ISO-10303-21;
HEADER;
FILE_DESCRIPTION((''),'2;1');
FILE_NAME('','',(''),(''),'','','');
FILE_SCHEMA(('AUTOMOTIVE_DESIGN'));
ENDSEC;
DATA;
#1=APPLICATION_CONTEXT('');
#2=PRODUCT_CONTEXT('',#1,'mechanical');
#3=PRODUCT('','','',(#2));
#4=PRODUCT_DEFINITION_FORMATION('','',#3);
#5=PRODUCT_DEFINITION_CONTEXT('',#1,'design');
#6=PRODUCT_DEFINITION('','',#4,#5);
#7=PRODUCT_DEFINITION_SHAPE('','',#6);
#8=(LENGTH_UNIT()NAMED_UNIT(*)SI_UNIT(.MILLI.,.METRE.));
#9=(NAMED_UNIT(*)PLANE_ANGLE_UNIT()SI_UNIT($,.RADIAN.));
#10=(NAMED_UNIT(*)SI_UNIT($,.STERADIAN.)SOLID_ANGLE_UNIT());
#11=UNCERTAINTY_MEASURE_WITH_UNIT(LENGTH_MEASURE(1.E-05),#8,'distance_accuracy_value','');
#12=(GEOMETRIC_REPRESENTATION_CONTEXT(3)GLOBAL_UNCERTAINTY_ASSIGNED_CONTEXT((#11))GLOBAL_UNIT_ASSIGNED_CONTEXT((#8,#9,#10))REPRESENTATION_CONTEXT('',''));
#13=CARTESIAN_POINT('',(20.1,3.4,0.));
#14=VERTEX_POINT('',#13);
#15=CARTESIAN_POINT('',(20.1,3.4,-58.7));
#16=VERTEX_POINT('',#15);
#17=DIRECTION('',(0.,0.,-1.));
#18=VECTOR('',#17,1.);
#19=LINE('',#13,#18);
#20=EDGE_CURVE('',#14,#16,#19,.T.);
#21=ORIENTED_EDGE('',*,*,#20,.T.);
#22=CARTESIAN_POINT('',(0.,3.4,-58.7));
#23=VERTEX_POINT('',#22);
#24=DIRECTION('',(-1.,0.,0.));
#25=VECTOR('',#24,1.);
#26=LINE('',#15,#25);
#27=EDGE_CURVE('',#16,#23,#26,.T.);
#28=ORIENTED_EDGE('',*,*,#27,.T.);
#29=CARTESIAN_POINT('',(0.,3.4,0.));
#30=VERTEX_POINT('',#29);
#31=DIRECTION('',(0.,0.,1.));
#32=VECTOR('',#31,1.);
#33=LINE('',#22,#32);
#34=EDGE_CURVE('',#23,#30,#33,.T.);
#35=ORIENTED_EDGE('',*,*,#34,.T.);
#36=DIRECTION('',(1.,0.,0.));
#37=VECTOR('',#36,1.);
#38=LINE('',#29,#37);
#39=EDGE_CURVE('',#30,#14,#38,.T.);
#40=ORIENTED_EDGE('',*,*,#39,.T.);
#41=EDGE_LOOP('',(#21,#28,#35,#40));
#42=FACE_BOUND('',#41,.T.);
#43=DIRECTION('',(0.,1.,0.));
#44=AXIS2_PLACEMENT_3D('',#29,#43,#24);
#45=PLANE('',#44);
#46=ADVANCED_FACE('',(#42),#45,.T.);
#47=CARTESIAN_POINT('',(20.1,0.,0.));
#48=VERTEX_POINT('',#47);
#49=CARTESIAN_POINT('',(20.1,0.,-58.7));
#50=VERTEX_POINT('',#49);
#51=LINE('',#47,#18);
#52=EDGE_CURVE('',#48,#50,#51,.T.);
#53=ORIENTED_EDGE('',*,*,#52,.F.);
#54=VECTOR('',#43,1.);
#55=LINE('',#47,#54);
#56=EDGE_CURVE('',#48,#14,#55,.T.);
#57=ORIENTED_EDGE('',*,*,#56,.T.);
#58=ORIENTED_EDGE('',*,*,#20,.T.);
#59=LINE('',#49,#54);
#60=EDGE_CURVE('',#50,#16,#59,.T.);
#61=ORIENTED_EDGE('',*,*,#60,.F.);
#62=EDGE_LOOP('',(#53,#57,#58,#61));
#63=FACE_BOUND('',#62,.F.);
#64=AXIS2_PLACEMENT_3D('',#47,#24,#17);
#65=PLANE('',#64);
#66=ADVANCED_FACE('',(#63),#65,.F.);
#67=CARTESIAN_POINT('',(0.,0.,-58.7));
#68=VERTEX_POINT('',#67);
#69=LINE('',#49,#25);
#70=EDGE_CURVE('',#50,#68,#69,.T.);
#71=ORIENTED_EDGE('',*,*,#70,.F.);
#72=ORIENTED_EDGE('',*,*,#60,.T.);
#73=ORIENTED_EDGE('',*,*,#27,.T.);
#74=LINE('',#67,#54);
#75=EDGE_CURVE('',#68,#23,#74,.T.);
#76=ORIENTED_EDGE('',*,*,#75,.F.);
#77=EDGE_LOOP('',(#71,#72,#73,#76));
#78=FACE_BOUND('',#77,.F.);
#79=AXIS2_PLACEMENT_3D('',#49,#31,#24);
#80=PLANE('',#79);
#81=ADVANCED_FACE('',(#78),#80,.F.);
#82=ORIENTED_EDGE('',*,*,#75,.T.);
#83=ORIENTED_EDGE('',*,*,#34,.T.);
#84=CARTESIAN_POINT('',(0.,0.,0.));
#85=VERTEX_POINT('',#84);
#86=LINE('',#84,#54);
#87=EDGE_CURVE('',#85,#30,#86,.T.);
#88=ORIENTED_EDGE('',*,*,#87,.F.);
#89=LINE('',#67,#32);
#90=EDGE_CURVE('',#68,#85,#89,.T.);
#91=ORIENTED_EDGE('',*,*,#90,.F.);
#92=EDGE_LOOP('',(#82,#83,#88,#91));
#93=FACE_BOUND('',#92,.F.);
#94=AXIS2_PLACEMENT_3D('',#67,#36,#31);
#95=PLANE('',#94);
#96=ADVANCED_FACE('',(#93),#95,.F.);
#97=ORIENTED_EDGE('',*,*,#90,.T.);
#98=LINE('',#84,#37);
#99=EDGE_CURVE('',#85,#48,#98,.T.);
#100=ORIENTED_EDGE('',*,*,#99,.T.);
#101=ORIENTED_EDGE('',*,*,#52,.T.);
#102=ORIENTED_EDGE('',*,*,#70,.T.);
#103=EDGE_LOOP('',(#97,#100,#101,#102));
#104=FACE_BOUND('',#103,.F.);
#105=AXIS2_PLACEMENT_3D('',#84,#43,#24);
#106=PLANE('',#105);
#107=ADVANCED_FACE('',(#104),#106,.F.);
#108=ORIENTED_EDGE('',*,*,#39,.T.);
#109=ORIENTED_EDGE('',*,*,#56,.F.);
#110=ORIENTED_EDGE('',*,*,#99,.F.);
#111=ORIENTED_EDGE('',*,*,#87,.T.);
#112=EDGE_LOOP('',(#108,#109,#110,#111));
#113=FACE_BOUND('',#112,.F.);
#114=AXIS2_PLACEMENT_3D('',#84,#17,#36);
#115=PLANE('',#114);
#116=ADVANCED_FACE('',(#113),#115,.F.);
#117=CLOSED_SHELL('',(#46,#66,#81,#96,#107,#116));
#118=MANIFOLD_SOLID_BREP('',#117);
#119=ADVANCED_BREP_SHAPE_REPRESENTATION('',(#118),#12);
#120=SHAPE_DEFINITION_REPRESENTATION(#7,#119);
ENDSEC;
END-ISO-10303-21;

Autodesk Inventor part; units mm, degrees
ref_plane "YZ Plane" through (0, 0, 0) normal (1, 0, 0) x (0, 1, 0)
ref_plane "XZ Plane" through (0, 0, 0) normal (0, 1, 0) x (-1, 0, 0)
ref_plane "XY Plane" through (0, 0, 0) normal (0, 0, 1) x (1, 0, 0)
sketch "Sketch1" plane through (0, 0, 0) normal (0, 1, 0) x (-1, 0, 0)
  line L0 (0, 0) -> (-20.1, 0)
  line L1 (-20.1, 0) -> (-20.1, -58.7)
  line L2 (-20.1, -58.7) -> (0, -58.7)
  line L3 (0, -58.7) -> (0, 0)
  dimension "d0" = 20.1
  dimension "d1" = 58.7
extrude "Extrusion1" add sketch "Sketch1" along normal blind 3.4
properties part number "akkum_board2"
